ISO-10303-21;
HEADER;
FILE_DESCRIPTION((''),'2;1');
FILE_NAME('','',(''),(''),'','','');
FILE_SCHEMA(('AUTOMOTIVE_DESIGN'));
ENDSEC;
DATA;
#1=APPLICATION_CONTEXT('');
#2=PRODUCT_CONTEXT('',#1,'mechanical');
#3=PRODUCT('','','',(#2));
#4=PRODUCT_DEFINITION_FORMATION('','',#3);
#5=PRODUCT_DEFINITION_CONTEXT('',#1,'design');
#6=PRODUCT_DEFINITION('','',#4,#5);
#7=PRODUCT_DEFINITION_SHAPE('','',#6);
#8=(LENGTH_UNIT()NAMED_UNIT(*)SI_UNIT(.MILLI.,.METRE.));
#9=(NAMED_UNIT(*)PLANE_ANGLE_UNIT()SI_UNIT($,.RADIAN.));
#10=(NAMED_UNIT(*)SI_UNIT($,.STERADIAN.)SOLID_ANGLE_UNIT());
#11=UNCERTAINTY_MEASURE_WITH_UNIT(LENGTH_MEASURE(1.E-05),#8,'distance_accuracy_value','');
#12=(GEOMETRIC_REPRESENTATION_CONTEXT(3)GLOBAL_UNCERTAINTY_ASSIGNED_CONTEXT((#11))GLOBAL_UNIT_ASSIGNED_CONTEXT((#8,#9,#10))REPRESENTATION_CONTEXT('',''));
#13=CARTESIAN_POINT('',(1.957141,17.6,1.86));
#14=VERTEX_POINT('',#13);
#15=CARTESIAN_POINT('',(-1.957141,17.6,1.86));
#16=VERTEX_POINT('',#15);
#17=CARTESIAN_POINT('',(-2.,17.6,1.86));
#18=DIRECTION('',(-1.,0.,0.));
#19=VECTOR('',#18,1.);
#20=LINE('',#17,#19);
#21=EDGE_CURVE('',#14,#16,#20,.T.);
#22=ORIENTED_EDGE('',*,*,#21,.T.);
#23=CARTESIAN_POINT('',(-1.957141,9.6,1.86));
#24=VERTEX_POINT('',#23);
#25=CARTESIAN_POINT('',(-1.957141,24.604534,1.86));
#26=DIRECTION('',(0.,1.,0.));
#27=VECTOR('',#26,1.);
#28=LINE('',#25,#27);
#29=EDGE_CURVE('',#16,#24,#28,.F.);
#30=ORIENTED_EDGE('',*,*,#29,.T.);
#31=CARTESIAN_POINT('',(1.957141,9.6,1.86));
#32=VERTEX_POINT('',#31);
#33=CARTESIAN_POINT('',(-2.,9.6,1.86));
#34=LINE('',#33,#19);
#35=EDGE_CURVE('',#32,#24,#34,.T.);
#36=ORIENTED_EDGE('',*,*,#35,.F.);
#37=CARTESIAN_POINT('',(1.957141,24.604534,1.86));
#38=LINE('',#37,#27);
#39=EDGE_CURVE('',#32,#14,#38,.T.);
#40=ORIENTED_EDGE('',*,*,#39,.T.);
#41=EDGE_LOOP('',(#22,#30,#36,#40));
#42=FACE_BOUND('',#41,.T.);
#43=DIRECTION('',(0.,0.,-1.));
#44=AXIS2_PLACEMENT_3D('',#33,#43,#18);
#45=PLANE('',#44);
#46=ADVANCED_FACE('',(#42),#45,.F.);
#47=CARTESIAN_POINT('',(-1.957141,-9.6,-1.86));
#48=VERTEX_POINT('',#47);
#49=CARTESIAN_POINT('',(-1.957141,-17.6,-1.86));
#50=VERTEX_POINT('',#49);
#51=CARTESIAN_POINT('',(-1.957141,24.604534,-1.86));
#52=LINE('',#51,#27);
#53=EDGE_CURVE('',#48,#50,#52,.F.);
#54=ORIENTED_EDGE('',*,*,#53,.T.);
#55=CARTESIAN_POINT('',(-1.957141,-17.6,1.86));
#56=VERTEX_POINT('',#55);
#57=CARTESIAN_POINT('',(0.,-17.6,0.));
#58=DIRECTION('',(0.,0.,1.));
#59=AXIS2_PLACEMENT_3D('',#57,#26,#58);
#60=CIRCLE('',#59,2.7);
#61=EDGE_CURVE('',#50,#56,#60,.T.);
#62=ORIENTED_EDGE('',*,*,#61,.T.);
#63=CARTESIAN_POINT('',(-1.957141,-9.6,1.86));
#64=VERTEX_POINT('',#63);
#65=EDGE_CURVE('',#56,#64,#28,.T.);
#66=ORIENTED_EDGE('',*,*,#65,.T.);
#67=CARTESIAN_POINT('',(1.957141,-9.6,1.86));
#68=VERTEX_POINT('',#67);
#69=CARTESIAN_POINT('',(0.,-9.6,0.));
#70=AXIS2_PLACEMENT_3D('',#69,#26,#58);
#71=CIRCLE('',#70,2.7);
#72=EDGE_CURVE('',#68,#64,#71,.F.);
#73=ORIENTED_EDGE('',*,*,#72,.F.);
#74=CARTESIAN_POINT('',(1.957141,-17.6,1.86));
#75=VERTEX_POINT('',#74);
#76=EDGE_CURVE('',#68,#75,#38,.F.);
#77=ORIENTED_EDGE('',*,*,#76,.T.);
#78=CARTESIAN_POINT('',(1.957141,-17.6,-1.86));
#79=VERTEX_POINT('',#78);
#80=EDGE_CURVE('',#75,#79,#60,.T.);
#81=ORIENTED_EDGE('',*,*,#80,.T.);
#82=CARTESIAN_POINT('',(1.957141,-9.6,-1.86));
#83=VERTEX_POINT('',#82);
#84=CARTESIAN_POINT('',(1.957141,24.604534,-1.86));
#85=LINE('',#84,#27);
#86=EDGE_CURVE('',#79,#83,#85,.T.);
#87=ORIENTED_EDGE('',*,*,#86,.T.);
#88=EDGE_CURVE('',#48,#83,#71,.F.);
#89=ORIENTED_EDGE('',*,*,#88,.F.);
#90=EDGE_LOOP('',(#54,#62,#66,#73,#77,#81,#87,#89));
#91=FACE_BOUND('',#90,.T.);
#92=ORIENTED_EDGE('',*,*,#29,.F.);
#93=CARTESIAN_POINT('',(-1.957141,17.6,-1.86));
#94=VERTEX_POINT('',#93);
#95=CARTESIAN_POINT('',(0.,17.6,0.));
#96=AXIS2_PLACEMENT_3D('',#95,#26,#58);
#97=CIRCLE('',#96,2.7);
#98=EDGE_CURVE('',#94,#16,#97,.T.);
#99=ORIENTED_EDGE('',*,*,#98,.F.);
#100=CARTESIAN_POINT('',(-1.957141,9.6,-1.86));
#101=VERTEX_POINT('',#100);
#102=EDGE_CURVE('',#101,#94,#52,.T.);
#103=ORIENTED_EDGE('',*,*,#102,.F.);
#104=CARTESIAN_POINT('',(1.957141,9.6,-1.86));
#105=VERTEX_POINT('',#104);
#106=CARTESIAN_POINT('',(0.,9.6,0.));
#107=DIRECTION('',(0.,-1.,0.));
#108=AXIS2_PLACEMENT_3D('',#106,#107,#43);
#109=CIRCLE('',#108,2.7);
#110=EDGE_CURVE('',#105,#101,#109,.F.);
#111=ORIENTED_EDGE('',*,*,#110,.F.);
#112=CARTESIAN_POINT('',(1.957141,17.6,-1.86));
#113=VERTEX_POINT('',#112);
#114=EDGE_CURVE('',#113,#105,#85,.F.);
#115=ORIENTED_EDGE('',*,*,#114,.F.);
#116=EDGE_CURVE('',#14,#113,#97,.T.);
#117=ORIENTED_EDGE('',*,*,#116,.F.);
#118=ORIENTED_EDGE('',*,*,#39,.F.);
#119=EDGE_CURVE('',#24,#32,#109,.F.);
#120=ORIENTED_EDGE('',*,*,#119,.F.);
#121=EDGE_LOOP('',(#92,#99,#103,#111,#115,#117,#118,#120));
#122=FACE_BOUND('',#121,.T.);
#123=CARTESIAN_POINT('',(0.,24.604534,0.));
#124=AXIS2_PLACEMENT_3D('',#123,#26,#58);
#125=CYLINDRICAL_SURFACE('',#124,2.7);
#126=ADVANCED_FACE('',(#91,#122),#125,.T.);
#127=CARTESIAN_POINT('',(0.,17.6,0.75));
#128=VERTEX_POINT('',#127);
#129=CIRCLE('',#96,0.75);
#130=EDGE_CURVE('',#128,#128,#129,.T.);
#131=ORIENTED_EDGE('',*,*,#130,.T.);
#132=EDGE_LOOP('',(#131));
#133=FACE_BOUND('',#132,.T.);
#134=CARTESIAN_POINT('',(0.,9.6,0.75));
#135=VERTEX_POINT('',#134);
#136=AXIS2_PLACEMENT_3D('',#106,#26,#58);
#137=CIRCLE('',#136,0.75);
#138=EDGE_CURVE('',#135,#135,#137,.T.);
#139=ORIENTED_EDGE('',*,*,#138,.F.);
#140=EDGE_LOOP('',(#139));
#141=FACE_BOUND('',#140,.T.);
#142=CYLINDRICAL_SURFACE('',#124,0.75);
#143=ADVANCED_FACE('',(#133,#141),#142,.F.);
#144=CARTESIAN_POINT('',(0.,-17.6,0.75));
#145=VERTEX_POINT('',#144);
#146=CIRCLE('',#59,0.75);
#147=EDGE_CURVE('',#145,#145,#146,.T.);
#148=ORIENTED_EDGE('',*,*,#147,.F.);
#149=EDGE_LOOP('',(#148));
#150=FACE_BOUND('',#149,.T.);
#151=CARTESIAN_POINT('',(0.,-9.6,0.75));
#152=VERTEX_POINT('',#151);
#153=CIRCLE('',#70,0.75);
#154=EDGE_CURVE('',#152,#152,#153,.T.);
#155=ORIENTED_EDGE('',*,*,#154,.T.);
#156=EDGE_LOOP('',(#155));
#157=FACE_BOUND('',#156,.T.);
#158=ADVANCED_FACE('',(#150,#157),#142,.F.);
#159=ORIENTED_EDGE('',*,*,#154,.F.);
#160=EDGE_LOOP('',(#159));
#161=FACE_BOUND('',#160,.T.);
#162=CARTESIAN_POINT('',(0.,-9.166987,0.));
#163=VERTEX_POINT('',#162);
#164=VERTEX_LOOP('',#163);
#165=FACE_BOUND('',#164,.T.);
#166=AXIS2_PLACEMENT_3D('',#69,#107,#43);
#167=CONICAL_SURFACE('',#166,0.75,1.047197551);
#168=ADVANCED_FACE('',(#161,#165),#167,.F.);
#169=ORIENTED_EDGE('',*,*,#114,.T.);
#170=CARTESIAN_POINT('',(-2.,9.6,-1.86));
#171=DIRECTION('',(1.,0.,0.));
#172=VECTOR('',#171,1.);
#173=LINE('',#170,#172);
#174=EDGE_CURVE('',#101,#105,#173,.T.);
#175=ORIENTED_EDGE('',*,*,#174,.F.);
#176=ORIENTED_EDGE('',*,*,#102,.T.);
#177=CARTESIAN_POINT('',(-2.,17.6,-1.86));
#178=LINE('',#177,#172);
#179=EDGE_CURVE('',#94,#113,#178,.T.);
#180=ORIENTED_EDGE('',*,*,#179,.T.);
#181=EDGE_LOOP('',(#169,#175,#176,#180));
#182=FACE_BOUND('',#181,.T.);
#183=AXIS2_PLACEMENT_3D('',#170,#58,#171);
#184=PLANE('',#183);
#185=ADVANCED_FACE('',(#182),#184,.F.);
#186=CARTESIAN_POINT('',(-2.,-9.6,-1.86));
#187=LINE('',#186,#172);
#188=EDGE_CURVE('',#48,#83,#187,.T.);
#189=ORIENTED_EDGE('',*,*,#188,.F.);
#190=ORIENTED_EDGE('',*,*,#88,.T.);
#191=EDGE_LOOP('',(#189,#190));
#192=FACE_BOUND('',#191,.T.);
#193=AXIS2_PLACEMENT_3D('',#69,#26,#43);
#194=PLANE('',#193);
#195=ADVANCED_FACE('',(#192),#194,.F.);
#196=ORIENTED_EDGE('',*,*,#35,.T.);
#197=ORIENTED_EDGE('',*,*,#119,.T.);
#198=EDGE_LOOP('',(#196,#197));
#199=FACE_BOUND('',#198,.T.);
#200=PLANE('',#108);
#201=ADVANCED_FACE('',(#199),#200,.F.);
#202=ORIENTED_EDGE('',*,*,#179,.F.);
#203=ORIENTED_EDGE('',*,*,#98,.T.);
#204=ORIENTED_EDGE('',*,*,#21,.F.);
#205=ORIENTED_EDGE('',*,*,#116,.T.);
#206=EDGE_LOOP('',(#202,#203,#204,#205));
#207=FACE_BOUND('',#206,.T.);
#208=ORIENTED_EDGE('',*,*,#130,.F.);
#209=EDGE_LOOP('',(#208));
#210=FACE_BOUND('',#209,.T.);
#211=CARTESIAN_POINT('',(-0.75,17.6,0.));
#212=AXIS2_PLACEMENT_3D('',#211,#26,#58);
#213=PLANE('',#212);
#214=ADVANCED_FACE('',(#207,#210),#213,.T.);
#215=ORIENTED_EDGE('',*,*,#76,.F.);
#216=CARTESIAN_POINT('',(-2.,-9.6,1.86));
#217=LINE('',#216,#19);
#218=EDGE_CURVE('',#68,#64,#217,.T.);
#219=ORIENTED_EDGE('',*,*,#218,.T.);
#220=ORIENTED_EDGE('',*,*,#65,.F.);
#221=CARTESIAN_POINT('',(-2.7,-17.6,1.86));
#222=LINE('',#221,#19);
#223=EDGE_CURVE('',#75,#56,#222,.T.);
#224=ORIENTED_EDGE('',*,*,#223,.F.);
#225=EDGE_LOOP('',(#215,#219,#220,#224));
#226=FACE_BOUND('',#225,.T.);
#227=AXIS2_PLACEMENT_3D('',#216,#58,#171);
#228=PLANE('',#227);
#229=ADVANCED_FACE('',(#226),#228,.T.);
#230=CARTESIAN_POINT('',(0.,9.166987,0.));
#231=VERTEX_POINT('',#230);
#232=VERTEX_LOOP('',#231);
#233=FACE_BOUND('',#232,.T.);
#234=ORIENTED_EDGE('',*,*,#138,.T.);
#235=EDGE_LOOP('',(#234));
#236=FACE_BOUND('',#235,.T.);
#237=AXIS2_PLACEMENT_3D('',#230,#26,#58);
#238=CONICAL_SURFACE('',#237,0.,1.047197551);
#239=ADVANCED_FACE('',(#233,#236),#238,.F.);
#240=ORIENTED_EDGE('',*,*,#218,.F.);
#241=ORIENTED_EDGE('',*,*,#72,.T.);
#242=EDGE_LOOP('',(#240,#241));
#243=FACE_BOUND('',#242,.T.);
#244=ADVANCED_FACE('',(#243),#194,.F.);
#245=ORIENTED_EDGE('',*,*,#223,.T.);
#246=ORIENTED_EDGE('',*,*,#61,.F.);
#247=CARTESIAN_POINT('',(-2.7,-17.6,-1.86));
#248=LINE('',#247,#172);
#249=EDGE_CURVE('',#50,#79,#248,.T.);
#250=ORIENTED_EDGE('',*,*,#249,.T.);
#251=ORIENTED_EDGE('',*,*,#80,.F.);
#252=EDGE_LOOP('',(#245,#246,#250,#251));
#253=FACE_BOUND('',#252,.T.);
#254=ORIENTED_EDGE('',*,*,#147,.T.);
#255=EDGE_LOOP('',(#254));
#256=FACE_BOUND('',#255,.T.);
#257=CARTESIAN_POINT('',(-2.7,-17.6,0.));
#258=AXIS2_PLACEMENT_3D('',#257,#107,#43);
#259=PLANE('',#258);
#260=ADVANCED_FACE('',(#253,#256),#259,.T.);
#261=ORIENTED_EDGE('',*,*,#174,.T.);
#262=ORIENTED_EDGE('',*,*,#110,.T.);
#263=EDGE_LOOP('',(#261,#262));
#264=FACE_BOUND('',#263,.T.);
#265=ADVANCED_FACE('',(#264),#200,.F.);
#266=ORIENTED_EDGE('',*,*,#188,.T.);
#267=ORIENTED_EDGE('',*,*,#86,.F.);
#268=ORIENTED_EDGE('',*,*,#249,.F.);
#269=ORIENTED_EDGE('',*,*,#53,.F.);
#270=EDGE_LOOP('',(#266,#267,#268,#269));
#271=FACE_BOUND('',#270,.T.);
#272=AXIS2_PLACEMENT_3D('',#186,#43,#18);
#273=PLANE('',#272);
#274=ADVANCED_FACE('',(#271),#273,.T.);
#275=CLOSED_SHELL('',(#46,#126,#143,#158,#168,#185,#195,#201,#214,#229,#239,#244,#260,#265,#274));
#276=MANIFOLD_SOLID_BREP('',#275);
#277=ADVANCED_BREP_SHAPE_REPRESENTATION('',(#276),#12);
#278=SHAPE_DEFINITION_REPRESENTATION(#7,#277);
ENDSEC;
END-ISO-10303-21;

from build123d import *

# Parameters (mm, degrees)
ESQUISSE2_W             = 4
ESQUISSE2_H             = 1
ENL_V_MAT_EXTRU_1_DEPTH = 8


with BuildPart() as part:
    # Esquisse1 → Révolution1 (revolve)
    with BuildSketch(Plane.XY, mode=Mode.PRIVATE) as r_volution1_sk:
        Polygon((-2.7, 17.6), (-2.7, -17.6), (-0.75, -17.6), (-0.75, -9.6), (0, -9.166987298), (0, 9.166987298), (-0.75, 9.6), (-0.75, 17.6), align=None)
    revolve(r_volution1_sk.sketch.rotate(Axis((0, 24.604534005, 0), (0, -1, 0)), 270), axis=Axis((0, 24.604534005, 0), (0, -1, 0)))  # turned: the seam where the file's is

    # Esquisse2 → Enlèv. mat.-Extru.1 (cut)
    with BuildSketch(Plane(origin=(0, 17.6, 0), x_dir=(1, 0, 0), z_dir=(0, 1, 0))):
        with Locations((0, 2.36)):
            Rectangle(ESQUISSE2_W, ESQUISSE2_H)
        with Locations((0, -2.36)):
            Rectangle(ESQUISSE2_W, ESQUISSE2_H)
    enl_v_mat_extru_1 = extrude(amount=-ENL_V_MAT_EXTRU_1_DEPTH, mode=Mode.SUBTRACT)

    # Symétrie1: Enlèv. mat.-Extru.1 across plane
    add(enl_v_mat_extru_1.mirror(Plane.ZX), mode=Mode.SUBTRACT)


solid = part.part
